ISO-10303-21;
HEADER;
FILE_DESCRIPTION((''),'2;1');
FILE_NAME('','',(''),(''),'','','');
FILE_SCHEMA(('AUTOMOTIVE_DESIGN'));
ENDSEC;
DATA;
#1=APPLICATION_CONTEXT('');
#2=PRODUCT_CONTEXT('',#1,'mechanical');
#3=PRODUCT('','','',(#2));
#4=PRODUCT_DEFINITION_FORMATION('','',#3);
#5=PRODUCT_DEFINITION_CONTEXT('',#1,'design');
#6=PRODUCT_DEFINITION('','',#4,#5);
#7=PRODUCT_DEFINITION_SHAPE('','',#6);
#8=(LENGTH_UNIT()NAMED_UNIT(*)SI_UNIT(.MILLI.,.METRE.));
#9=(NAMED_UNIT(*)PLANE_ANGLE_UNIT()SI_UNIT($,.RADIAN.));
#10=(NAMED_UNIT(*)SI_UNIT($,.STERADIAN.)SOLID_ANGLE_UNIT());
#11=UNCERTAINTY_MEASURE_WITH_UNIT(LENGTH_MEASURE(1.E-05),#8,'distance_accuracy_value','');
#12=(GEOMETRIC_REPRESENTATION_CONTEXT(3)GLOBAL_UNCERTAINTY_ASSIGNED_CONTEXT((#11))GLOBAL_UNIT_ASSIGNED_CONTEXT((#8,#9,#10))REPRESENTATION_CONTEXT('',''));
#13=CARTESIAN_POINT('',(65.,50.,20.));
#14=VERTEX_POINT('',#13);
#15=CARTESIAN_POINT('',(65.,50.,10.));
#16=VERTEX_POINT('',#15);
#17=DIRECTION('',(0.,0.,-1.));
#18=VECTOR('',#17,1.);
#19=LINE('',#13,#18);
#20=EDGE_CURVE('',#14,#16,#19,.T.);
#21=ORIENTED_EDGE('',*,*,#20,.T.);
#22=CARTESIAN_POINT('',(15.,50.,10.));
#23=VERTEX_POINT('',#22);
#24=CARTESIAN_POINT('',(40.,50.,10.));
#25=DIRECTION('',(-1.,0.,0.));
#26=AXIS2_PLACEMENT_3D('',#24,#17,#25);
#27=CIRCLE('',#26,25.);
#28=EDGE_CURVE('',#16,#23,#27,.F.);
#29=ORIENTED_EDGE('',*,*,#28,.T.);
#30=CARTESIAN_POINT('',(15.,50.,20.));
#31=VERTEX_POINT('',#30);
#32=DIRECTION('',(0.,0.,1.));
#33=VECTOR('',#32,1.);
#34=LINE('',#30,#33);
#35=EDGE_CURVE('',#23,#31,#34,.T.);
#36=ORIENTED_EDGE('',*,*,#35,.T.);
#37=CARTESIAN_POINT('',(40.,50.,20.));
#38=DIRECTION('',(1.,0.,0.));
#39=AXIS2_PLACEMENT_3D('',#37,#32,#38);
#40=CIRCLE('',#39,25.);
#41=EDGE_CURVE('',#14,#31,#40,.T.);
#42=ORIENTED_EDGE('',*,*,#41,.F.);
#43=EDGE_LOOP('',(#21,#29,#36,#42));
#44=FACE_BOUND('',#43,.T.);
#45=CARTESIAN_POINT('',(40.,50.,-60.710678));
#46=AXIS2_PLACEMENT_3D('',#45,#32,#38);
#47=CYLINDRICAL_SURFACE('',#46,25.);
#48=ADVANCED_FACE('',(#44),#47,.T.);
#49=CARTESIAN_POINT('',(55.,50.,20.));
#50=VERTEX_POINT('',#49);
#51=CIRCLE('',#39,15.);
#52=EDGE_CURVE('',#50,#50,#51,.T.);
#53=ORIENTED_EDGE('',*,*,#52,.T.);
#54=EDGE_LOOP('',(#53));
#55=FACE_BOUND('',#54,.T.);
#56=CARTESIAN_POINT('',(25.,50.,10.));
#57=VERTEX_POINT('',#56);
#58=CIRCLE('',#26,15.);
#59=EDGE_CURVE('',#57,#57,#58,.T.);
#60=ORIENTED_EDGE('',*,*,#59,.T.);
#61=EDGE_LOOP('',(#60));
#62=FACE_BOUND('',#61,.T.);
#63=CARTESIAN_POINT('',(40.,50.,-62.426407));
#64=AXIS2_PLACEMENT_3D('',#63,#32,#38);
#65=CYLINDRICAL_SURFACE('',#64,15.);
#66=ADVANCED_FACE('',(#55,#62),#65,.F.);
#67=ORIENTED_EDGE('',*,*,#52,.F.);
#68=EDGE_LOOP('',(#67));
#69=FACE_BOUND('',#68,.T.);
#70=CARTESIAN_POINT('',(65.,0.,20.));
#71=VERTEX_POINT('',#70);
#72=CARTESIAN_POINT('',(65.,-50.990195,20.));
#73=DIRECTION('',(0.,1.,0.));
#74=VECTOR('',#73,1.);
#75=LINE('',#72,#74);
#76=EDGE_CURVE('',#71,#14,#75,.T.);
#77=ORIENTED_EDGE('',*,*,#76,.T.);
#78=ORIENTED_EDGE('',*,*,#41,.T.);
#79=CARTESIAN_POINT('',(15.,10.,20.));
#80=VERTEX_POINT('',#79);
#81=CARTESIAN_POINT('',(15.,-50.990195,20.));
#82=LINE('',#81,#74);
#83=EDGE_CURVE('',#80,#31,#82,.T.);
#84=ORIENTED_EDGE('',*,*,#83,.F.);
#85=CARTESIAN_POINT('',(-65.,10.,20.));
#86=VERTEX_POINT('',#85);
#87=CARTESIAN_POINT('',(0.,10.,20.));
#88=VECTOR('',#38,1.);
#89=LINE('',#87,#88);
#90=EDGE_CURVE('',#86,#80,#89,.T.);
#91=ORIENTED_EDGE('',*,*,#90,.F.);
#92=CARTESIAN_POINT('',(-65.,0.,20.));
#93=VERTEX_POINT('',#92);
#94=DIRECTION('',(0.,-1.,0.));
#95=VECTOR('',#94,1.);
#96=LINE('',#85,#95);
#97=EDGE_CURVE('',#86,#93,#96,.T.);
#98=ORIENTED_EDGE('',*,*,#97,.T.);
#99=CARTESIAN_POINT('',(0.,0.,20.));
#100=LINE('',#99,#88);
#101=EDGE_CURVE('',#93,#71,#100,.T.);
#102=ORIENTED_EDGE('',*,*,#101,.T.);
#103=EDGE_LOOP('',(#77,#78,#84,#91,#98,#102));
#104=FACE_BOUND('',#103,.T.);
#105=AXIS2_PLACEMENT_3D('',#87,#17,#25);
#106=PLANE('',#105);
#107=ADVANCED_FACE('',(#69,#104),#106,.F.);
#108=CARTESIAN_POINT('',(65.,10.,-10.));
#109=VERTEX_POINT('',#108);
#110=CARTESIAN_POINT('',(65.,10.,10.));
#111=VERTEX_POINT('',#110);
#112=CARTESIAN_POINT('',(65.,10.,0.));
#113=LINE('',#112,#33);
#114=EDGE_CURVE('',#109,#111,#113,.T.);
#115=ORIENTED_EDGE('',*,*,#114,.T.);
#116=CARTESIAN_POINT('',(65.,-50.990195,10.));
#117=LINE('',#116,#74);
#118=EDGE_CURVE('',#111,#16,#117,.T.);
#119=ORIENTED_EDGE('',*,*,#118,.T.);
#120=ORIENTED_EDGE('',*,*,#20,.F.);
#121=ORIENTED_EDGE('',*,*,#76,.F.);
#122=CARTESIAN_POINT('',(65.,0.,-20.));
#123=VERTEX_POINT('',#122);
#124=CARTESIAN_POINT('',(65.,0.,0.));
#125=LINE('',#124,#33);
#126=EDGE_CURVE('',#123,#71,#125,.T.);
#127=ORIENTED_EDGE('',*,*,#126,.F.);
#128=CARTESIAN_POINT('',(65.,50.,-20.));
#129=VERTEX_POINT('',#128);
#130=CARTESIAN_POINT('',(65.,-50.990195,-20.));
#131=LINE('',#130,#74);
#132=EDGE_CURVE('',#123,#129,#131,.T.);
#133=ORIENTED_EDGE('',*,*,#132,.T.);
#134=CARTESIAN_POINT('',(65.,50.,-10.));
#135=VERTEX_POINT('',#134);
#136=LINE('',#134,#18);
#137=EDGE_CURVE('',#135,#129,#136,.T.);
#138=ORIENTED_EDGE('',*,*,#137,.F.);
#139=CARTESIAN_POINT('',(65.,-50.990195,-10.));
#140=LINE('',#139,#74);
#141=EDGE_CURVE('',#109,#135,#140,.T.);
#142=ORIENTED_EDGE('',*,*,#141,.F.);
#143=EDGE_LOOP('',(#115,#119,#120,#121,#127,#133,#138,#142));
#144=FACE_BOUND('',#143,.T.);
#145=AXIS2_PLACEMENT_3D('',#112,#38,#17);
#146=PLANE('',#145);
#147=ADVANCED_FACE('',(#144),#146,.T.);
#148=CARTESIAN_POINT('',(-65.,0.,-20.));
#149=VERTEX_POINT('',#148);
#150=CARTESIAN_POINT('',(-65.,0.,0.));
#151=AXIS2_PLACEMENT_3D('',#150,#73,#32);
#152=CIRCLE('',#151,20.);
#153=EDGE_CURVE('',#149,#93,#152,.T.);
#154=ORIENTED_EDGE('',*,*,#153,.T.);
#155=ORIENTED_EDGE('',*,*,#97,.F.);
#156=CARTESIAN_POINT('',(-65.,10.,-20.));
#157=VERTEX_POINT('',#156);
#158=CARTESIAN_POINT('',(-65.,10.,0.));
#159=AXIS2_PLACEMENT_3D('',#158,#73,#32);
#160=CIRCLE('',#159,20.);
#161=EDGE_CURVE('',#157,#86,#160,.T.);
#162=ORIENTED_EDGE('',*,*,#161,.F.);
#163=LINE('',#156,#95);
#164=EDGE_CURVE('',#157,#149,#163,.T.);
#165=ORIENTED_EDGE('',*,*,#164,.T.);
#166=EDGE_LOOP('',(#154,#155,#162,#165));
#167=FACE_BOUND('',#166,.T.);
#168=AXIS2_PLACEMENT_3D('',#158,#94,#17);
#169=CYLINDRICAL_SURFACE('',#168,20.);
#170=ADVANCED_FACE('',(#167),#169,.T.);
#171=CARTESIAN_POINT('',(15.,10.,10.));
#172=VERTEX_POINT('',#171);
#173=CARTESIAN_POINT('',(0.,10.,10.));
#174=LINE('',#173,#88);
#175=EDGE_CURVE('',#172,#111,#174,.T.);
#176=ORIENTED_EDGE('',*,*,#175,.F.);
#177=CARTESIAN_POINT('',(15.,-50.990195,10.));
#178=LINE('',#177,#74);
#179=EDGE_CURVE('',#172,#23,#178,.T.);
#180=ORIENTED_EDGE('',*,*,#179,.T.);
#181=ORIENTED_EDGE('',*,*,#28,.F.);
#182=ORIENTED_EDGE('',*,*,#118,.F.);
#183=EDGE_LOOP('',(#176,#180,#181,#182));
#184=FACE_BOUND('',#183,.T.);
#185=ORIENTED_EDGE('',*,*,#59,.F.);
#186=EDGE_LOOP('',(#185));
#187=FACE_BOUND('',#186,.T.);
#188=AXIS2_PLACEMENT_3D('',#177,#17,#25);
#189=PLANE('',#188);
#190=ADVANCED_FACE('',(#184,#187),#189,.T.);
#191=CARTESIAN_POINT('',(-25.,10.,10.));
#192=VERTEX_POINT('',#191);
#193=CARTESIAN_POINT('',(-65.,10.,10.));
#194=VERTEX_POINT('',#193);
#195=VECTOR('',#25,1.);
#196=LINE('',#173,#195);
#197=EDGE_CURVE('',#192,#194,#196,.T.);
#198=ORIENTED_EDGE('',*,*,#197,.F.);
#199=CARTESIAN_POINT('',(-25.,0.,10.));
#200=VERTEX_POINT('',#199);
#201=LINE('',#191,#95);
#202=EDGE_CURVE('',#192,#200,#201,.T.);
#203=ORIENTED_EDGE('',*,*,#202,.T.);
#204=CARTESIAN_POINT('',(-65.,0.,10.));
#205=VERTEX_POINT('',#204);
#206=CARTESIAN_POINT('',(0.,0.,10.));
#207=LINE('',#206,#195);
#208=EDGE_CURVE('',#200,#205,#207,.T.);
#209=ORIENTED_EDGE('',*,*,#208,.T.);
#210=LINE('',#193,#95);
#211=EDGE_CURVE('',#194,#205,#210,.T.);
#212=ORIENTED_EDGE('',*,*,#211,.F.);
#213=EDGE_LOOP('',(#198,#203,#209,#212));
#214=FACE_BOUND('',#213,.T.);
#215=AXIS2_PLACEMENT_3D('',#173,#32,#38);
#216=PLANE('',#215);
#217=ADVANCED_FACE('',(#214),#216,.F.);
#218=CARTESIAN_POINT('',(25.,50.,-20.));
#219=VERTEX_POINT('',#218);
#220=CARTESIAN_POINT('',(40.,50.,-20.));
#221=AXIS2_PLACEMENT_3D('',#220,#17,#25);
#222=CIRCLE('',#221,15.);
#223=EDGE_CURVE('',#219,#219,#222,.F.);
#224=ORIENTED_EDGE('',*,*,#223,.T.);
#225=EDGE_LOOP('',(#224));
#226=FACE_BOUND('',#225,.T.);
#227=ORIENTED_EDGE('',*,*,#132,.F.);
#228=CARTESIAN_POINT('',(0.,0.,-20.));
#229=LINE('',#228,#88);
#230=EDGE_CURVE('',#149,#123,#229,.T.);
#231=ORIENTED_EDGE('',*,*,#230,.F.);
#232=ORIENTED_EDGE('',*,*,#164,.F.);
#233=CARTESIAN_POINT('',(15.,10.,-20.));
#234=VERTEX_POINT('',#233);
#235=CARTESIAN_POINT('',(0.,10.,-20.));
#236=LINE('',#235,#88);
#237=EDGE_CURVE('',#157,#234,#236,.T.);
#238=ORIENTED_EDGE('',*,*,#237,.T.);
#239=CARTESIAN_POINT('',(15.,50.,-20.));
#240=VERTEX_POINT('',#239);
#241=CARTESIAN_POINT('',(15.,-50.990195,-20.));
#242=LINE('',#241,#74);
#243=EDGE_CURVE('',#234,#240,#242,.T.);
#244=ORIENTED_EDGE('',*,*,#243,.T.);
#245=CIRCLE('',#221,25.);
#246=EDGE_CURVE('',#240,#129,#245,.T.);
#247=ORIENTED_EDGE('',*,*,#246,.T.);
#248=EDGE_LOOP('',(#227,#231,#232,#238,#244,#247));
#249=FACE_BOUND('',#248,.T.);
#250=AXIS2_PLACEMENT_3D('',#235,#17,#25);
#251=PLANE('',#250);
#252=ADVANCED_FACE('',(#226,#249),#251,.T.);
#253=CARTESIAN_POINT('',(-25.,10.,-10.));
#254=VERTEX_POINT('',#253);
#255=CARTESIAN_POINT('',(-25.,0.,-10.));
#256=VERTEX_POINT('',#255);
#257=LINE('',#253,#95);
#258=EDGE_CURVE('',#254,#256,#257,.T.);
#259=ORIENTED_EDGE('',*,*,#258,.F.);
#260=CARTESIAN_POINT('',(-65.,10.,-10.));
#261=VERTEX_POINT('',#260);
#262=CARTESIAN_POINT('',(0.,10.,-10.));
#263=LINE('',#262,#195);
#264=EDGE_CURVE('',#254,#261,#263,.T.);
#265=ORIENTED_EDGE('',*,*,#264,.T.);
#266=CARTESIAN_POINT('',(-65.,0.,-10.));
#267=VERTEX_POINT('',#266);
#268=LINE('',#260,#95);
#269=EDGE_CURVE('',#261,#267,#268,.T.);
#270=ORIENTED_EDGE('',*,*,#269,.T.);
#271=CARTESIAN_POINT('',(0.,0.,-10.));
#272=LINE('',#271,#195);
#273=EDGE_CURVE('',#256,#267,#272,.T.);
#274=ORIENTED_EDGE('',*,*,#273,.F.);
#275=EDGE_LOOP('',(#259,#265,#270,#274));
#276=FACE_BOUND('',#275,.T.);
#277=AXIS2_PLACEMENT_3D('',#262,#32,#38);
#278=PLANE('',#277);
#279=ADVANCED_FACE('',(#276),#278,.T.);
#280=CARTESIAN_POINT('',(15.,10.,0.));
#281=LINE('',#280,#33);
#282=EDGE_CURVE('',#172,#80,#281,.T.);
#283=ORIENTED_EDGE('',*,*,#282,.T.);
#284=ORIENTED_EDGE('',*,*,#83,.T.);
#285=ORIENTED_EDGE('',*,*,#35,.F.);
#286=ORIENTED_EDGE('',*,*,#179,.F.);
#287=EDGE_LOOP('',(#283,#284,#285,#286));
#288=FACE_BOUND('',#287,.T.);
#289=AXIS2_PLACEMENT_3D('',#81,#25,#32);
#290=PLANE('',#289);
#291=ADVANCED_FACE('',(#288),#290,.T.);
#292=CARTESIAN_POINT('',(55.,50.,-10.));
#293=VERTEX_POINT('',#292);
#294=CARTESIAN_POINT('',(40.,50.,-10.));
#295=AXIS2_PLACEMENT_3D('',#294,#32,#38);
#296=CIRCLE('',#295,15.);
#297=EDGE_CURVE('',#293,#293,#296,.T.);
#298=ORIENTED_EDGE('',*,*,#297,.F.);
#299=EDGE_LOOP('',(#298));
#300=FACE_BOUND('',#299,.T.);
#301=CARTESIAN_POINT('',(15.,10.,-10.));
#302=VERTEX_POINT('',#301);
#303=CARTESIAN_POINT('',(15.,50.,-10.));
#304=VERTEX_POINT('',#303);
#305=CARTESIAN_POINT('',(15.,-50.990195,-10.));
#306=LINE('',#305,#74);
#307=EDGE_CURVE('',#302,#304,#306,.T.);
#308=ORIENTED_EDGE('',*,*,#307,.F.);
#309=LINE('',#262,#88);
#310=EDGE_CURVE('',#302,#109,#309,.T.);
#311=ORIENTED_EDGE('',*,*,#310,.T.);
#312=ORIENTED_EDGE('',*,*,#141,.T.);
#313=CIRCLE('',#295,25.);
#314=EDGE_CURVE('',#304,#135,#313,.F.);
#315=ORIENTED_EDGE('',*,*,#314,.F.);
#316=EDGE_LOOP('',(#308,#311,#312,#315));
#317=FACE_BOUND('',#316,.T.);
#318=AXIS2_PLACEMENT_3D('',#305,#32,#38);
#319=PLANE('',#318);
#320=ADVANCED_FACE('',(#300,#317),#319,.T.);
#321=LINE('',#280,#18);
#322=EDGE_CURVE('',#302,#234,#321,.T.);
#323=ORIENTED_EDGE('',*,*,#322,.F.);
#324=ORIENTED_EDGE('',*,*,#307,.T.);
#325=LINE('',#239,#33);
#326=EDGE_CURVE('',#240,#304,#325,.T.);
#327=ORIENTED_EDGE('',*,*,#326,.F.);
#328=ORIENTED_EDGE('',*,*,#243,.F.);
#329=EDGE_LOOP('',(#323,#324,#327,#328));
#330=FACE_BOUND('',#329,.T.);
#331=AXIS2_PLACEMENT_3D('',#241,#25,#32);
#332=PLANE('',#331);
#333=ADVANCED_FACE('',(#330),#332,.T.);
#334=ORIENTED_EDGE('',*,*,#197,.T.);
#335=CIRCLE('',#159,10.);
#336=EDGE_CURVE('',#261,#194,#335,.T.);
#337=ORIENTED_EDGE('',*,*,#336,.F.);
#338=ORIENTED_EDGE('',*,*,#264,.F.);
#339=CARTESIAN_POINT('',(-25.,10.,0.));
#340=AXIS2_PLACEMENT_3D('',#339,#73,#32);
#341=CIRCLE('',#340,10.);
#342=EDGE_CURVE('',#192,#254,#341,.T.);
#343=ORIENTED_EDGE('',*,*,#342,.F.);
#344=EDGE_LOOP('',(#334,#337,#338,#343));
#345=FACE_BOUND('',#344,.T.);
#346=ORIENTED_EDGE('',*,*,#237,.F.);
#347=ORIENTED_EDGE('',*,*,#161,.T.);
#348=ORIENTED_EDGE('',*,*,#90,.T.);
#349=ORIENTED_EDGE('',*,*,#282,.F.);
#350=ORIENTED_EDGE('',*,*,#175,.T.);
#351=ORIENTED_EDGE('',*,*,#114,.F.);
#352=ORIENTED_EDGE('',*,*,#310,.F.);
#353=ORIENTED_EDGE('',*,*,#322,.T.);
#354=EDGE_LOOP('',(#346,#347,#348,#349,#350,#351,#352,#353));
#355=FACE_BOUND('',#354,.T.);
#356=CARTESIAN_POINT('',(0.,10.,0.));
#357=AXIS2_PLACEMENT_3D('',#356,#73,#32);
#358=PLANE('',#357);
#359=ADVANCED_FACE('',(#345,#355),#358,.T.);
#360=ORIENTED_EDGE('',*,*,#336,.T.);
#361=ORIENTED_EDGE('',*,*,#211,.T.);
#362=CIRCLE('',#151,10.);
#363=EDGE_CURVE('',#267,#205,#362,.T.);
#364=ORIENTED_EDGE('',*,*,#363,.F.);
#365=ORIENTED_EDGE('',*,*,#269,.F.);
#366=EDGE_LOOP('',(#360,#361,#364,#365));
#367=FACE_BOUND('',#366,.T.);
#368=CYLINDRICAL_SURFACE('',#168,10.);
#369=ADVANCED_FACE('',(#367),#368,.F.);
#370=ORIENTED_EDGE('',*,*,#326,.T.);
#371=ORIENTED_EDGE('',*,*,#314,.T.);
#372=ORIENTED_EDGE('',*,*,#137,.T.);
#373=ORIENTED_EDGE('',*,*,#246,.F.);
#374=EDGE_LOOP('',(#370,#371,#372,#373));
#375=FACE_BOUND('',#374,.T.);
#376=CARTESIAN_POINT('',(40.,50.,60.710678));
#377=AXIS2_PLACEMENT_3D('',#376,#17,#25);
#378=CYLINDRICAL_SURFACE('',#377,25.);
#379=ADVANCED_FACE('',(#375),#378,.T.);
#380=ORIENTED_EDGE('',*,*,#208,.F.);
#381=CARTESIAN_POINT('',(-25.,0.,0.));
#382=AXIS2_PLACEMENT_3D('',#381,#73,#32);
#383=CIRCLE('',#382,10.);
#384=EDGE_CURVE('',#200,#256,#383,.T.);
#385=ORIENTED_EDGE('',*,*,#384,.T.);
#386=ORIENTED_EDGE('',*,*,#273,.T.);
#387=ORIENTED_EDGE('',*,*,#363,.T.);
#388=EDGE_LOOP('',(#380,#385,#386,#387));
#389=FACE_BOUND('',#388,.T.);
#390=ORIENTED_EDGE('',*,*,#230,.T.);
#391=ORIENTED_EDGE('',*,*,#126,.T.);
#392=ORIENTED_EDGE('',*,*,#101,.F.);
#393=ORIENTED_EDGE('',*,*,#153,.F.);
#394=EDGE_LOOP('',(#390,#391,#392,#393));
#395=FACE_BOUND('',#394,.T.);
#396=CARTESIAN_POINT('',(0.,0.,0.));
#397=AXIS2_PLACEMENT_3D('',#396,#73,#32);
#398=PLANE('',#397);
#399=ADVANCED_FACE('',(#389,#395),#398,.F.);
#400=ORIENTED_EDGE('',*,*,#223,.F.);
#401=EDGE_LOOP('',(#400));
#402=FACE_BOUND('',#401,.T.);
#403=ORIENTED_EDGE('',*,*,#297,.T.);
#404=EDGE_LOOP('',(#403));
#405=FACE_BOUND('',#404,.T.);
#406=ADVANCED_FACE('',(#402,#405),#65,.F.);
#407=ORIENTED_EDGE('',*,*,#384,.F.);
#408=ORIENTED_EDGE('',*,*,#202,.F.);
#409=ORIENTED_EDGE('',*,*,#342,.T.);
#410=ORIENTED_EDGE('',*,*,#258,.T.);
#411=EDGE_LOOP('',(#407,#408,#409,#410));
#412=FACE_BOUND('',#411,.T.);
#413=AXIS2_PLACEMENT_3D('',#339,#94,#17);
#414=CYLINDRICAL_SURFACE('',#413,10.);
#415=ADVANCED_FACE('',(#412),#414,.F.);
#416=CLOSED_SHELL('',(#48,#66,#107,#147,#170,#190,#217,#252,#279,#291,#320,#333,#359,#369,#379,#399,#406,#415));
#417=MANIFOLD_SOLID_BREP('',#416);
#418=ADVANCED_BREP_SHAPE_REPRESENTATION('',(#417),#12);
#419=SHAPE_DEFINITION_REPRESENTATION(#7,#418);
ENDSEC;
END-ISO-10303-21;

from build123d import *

# Parameters (mm, degrees)
BOSS_EXTRUDE1_DEPTH      = 10
BOSS_EXTRUDE2_DEPTH      = 40
BOSS_EXTRUDE2_DEPTH_BACK = 10
SKETCH2_W                = 50
SKETCH2_H                = 10
SKETCH3_R                = 25
BOSS_EXTRUDE3_DEPTH      = 10
BOSS_EXTRUDE4_START      = -10
SKETCH4_R                = 25
BOSS_EXTRUDE4_DEPTH      = 10
CUT_EXTRUDE1_START       = -40
SKETCH5_R                = 15
CUT_EXTRUDE1_DEPTH       = 40


with BuildPart() as part:
    # Sketch1 → Boss-Extrude1 (new body)
    with BuildSketch(Plane(origin=(0, 0, 0), x_dir=(1, 0, 0), z_dir=(0, 1, 0))):
        with BuildLine():
            Line((15, 20), (-65, 20))
            ThreePointArc((-65, 20), (-85, 0), (-65, -20))
            Line((-65, -20), (15, -20))
            Line((15, -20), (15, -10))
            Line((15, -10), (65, -10))
            Line((65, -10), (65, 10))
            Line((65, 10), (15, 10))
            Line((15, 10), (15, 20))
        make_face()
        with BuildLine():
            ThreePointArc((-25, 10), (-15, 0), (-25, -10))
            Line((-25, -10), (-65, -10))
            ThreePointArc((-65, -10), (-75, 0), (-65, 10))
            Line((-65, 10), (-25, 10))
        make_face(mode=Mode.SUBTRACT)
    extrude(amount=BOSS_EXTRUDE1_DEPTH)

    # Sketch2 → Boss-Extrude2 (add, two sides: drawn at the far end of the back side and taken through both)
    with BuildSketch(Plane(origin=(0, 10, 0), x_dir=(1, 0, 0), z_dir=(0, 1, 0)).offset(-BOSS_EXTRUDE2_DEPTH_BACK)):
        with Locations((40, -15)):
            Rectangle(SKETCH2_W, SKETCH2_H)
        with Locations((40, 15)):
            Rectangle(SKETCH2_W, SKETCH2_H)
    extrude(amount=BOSS_EXTRUDE2_DEPTH + BOSS_EXTRUDE2_DEPTH_BACK)

    # Sketch3 → Boss-Extrude3 (add)
    with BuildSketch(Plane.XY.offset(20)):
        with Locations((40, 50)):
            Circle(SKETCH3_R)
    extrude(amount=-BOSS_EXTRUDE3_DEPTH)

    # Sketch4 → Boss-Extrude4 (add)
    with BuildSketch(Plane(origin=(0, 0, -20), x_dir=(-1, 0, 0), z_dir=(0, 0, -1)).offset(BOSS_EXTRUDE4_START)):
        with Locations((-40, 50)):
            Circle(SKETCH4_R)
    extrude(amount=BOSS_EXTRUDE4_DEPTH)

    # Sketch5 → Cut-Extrude1 (cut)
    with BuildSketch(Plane.XY.offset(20).offset(CUT_EXTRUDE1_START)):
        with Locations((40, 50)):
            Circle(SKETCH5_R)
    extrude(amount=CUT_EXTRUDE1_DEPTH, mode=Mode.SUBTRACT)


solid = part.part
